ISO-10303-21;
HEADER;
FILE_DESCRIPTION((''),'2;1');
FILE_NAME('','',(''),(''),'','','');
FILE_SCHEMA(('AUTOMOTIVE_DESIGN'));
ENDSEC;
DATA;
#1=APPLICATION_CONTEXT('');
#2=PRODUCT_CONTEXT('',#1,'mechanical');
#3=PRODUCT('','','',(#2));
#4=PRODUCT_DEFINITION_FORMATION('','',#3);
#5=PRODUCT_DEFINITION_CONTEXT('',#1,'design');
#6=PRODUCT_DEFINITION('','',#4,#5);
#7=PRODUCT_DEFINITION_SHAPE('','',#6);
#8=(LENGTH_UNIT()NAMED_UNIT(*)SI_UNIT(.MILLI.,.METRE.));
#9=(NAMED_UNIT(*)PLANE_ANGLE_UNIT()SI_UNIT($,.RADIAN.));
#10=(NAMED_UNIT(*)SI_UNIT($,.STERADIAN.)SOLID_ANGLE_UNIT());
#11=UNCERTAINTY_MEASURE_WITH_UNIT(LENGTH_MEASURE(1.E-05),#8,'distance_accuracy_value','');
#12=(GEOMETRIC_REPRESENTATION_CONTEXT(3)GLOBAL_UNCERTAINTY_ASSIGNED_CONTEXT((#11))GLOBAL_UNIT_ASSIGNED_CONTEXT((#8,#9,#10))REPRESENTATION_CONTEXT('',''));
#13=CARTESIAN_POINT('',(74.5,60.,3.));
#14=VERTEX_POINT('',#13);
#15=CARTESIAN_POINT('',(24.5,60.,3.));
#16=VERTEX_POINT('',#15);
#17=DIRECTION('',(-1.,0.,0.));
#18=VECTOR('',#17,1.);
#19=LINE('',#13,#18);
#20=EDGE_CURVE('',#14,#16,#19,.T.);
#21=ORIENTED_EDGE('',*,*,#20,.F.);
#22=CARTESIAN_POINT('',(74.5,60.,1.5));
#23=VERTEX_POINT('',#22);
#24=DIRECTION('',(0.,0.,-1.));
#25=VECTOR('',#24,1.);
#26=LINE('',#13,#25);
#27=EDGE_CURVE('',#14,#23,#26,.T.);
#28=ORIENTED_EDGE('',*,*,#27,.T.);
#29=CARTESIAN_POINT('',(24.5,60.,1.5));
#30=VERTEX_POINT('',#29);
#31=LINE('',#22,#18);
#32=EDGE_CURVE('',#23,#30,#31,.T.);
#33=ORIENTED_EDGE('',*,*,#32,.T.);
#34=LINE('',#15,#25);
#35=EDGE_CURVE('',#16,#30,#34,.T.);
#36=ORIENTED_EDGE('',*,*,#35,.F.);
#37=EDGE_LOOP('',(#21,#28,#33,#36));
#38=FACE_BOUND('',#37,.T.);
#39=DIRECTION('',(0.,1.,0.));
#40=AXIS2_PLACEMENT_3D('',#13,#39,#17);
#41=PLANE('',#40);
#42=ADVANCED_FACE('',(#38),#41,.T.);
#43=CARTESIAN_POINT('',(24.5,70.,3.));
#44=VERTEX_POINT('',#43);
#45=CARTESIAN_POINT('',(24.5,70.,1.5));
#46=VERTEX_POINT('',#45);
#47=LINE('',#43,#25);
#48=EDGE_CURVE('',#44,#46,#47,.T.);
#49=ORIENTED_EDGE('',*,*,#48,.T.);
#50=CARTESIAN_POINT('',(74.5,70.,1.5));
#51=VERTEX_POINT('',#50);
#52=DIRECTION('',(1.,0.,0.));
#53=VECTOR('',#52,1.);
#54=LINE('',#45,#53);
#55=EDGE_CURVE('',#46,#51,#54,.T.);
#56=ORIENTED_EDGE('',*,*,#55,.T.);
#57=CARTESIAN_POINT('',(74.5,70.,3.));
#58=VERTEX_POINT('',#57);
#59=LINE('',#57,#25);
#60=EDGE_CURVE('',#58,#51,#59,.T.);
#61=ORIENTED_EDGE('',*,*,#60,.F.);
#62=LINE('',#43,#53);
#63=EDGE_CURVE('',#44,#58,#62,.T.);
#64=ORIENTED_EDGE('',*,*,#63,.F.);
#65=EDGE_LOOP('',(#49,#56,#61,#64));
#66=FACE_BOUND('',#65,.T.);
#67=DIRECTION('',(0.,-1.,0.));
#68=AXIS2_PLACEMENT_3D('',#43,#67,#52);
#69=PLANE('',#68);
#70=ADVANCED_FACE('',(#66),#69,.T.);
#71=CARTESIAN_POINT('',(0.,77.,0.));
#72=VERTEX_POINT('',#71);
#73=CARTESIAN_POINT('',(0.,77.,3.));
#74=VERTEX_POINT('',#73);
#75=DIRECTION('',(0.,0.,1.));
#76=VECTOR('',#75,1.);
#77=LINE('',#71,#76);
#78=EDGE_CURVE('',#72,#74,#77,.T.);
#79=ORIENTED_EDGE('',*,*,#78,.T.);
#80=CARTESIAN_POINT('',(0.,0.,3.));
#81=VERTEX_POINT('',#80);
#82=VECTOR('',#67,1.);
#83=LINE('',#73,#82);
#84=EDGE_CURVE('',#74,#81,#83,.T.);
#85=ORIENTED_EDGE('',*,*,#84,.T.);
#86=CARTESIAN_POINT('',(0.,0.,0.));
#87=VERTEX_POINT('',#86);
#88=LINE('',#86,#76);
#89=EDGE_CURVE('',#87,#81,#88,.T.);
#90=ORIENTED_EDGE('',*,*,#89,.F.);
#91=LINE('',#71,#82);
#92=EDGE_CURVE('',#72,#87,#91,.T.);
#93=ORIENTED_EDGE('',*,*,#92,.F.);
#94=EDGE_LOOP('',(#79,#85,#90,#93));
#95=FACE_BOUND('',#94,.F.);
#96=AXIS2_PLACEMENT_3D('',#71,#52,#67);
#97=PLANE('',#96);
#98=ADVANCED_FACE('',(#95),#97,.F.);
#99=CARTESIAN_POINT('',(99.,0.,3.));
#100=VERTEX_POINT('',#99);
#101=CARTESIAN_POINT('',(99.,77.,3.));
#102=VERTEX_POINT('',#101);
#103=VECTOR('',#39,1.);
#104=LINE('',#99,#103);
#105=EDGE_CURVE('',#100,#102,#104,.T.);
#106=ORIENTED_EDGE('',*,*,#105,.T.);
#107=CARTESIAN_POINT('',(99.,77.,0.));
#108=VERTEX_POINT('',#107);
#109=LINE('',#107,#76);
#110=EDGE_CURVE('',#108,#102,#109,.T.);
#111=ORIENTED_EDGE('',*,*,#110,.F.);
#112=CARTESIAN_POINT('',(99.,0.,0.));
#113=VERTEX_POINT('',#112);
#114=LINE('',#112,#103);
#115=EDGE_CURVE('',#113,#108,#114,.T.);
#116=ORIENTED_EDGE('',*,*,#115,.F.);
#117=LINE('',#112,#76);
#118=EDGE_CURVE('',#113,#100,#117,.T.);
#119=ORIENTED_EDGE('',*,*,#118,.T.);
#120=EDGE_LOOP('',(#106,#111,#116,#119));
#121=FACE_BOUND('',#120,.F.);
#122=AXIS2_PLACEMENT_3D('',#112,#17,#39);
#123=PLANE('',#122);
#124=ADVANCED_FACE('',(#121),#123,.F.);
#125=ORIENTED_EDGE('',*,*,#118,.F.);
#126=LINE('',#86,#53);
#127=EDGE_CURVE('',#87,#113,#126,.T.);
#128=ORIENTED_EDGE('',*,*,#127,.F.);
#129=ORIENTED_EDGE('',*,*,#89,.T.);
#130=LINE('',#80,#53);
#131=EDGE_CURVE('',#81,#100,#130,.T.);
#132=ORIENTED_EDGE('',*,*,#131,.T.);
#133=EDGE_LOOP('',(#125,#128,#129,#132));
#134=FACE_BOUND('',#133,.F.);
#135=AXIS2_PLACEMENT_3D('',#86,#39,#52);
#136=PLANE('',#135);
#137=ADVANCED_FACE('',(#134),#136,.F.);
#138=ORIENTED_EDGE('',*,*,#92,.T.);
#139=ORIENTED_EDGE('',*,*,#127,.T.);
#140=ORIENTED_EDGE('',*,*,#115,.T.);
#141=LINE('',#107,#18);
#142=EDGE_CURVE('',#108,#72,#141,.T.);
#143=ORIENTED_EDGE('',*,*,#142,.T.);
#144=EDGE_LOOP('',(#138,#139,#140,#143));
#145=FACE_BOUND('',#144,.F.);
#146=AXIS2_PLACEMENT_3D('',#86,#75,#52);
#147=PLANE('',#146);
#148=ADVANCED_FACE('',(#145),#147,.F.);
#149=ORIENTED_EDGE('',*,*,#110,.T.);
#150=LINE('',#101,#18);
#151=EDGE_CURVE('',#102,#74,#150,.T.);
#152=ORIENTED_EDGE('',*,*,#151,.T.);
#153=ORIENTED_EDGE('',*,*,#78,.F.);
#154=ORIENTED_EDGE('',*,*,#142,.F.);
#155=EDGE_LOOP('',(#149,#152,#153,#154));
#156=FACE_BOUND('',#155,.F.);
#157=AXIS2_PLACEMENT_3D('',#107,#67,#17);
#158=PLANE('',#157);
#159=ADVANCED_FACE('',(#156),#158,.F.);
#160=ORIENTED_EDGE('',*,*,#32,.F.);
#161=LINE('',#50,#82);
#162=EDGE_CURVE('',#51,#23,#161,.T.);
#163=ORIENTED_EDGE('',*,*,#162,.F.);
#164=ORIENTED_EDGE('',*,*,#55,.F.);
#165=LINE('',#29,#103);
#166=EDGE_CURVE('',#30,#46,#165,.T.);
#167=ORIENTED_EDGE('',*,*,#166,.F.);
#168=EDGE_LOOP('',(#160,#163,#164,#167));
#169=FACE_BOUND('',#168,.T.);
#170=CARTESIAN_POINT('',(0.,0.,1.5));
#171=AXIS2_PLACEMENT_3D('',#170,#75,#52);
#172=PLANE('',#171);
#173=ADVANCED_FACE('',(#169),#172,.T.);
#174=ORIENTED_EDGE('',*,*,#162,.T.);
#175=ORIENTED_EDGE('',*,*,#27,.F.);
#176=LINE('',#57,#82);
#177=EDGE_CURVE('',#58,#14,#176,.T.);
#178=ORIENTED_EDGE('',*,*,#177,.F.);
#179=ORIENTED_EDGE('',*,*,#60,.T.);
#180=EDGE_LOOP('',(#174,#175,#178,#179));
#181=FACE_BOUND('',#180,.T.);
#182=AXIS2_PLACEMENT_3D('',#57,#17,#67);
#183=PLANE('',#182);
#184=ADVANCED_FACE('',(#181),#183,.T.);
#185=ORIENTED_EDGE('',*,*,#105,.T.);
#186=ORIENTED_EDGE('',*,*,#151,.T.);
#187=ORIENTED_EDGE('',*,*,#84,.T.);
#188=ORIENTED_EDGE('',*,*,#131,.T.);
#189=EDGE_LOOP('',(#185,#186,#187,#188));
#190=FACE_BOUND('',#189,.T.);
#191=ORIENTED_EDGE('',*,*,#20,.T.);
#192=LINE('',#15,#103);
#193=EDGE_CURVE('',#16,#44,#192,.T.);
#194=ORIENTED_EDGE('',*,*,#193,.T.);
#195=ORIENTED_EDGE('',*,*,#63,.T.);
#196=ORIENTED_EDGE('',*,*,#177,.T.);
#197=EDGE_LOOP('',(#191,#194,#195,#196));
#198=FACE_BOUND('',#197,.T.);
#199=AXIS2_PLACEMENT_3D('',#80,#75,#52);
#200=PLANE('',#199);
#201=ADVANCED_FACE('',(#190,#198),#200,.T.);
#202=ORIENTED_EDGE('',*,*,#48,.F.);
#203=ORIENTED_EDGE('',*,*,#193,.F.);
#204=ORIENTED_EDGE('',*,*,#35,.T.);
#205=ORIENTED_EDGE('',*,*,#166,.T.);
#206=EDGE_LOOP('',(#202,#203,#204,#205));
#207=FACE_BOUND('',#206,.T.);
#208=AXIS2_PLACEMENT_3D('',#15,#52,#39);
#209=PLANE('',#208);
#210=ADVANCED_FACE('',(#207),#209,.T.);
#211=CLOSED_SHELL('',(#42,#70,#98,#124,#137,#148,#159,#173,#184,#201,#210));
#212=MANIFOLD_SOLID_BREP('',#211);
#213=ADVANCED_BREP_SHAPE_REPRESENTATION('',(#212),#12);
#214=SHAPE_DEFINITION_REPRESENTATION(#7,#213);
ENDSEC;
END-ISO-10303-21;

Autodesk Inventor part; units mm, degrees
ref_plane "YZ Plane" through (0, 0, 0) normal (1, 0, 0) x (0, 1, 0)
ref_plane "XZ Plane" through (0, 0, 0) normal (0, 1, 0) x (-1, 0, 0)
ref_plane "XY Plane" through (0, 0, 0) normal (0, 0, 1) x (1, 0, 0)
sketch "Sketch1" plane through (0, 0, 0) normal (0, 0, 1) x (1, 0, 0)
  line L0 (0, 0) -> (99, 0)
  line L1 (99, 0) -> (99, 77)
  line L2 (99, 77) -> (0, 77)
  line L3 (0, 77) -> (0, 0)
  dimension "d1" = 77
  dimension "d51" = 99
extrude "Extrusion1" add sketch "Sketch1" along normal blind 3
sketch "Sketch4" plane through (0, 0, 3) normal (0, 0, 1) x (1, 0, 0)
  line L0 (24.5, 70) -> (74.5, 70)
  line L1 (74.5, 70) -> (74.5, 60)
  line L2 (74.5, 60) -> (24.5, 60)
  line L3 (24.5, 60) -> (24.5, 70)
  line L4 (24.5, 70) -> (74.5, 60) construction
  line L5 (74.5, 70) -> (24.5, 60) construction
  line L6 (0, 77) -> (49.5, 77)
  line L7 (99, 77) -> (0, 77) projected
  point P0 (0, 0)
  dimension "d47" = 50
  dimension "d48" = 10
extrude "Extrusion2" cut sketch "Sketch4" against normal blind 1.5
properties part number "DoosjeVoorkant" material "Wood (Cherry)"
